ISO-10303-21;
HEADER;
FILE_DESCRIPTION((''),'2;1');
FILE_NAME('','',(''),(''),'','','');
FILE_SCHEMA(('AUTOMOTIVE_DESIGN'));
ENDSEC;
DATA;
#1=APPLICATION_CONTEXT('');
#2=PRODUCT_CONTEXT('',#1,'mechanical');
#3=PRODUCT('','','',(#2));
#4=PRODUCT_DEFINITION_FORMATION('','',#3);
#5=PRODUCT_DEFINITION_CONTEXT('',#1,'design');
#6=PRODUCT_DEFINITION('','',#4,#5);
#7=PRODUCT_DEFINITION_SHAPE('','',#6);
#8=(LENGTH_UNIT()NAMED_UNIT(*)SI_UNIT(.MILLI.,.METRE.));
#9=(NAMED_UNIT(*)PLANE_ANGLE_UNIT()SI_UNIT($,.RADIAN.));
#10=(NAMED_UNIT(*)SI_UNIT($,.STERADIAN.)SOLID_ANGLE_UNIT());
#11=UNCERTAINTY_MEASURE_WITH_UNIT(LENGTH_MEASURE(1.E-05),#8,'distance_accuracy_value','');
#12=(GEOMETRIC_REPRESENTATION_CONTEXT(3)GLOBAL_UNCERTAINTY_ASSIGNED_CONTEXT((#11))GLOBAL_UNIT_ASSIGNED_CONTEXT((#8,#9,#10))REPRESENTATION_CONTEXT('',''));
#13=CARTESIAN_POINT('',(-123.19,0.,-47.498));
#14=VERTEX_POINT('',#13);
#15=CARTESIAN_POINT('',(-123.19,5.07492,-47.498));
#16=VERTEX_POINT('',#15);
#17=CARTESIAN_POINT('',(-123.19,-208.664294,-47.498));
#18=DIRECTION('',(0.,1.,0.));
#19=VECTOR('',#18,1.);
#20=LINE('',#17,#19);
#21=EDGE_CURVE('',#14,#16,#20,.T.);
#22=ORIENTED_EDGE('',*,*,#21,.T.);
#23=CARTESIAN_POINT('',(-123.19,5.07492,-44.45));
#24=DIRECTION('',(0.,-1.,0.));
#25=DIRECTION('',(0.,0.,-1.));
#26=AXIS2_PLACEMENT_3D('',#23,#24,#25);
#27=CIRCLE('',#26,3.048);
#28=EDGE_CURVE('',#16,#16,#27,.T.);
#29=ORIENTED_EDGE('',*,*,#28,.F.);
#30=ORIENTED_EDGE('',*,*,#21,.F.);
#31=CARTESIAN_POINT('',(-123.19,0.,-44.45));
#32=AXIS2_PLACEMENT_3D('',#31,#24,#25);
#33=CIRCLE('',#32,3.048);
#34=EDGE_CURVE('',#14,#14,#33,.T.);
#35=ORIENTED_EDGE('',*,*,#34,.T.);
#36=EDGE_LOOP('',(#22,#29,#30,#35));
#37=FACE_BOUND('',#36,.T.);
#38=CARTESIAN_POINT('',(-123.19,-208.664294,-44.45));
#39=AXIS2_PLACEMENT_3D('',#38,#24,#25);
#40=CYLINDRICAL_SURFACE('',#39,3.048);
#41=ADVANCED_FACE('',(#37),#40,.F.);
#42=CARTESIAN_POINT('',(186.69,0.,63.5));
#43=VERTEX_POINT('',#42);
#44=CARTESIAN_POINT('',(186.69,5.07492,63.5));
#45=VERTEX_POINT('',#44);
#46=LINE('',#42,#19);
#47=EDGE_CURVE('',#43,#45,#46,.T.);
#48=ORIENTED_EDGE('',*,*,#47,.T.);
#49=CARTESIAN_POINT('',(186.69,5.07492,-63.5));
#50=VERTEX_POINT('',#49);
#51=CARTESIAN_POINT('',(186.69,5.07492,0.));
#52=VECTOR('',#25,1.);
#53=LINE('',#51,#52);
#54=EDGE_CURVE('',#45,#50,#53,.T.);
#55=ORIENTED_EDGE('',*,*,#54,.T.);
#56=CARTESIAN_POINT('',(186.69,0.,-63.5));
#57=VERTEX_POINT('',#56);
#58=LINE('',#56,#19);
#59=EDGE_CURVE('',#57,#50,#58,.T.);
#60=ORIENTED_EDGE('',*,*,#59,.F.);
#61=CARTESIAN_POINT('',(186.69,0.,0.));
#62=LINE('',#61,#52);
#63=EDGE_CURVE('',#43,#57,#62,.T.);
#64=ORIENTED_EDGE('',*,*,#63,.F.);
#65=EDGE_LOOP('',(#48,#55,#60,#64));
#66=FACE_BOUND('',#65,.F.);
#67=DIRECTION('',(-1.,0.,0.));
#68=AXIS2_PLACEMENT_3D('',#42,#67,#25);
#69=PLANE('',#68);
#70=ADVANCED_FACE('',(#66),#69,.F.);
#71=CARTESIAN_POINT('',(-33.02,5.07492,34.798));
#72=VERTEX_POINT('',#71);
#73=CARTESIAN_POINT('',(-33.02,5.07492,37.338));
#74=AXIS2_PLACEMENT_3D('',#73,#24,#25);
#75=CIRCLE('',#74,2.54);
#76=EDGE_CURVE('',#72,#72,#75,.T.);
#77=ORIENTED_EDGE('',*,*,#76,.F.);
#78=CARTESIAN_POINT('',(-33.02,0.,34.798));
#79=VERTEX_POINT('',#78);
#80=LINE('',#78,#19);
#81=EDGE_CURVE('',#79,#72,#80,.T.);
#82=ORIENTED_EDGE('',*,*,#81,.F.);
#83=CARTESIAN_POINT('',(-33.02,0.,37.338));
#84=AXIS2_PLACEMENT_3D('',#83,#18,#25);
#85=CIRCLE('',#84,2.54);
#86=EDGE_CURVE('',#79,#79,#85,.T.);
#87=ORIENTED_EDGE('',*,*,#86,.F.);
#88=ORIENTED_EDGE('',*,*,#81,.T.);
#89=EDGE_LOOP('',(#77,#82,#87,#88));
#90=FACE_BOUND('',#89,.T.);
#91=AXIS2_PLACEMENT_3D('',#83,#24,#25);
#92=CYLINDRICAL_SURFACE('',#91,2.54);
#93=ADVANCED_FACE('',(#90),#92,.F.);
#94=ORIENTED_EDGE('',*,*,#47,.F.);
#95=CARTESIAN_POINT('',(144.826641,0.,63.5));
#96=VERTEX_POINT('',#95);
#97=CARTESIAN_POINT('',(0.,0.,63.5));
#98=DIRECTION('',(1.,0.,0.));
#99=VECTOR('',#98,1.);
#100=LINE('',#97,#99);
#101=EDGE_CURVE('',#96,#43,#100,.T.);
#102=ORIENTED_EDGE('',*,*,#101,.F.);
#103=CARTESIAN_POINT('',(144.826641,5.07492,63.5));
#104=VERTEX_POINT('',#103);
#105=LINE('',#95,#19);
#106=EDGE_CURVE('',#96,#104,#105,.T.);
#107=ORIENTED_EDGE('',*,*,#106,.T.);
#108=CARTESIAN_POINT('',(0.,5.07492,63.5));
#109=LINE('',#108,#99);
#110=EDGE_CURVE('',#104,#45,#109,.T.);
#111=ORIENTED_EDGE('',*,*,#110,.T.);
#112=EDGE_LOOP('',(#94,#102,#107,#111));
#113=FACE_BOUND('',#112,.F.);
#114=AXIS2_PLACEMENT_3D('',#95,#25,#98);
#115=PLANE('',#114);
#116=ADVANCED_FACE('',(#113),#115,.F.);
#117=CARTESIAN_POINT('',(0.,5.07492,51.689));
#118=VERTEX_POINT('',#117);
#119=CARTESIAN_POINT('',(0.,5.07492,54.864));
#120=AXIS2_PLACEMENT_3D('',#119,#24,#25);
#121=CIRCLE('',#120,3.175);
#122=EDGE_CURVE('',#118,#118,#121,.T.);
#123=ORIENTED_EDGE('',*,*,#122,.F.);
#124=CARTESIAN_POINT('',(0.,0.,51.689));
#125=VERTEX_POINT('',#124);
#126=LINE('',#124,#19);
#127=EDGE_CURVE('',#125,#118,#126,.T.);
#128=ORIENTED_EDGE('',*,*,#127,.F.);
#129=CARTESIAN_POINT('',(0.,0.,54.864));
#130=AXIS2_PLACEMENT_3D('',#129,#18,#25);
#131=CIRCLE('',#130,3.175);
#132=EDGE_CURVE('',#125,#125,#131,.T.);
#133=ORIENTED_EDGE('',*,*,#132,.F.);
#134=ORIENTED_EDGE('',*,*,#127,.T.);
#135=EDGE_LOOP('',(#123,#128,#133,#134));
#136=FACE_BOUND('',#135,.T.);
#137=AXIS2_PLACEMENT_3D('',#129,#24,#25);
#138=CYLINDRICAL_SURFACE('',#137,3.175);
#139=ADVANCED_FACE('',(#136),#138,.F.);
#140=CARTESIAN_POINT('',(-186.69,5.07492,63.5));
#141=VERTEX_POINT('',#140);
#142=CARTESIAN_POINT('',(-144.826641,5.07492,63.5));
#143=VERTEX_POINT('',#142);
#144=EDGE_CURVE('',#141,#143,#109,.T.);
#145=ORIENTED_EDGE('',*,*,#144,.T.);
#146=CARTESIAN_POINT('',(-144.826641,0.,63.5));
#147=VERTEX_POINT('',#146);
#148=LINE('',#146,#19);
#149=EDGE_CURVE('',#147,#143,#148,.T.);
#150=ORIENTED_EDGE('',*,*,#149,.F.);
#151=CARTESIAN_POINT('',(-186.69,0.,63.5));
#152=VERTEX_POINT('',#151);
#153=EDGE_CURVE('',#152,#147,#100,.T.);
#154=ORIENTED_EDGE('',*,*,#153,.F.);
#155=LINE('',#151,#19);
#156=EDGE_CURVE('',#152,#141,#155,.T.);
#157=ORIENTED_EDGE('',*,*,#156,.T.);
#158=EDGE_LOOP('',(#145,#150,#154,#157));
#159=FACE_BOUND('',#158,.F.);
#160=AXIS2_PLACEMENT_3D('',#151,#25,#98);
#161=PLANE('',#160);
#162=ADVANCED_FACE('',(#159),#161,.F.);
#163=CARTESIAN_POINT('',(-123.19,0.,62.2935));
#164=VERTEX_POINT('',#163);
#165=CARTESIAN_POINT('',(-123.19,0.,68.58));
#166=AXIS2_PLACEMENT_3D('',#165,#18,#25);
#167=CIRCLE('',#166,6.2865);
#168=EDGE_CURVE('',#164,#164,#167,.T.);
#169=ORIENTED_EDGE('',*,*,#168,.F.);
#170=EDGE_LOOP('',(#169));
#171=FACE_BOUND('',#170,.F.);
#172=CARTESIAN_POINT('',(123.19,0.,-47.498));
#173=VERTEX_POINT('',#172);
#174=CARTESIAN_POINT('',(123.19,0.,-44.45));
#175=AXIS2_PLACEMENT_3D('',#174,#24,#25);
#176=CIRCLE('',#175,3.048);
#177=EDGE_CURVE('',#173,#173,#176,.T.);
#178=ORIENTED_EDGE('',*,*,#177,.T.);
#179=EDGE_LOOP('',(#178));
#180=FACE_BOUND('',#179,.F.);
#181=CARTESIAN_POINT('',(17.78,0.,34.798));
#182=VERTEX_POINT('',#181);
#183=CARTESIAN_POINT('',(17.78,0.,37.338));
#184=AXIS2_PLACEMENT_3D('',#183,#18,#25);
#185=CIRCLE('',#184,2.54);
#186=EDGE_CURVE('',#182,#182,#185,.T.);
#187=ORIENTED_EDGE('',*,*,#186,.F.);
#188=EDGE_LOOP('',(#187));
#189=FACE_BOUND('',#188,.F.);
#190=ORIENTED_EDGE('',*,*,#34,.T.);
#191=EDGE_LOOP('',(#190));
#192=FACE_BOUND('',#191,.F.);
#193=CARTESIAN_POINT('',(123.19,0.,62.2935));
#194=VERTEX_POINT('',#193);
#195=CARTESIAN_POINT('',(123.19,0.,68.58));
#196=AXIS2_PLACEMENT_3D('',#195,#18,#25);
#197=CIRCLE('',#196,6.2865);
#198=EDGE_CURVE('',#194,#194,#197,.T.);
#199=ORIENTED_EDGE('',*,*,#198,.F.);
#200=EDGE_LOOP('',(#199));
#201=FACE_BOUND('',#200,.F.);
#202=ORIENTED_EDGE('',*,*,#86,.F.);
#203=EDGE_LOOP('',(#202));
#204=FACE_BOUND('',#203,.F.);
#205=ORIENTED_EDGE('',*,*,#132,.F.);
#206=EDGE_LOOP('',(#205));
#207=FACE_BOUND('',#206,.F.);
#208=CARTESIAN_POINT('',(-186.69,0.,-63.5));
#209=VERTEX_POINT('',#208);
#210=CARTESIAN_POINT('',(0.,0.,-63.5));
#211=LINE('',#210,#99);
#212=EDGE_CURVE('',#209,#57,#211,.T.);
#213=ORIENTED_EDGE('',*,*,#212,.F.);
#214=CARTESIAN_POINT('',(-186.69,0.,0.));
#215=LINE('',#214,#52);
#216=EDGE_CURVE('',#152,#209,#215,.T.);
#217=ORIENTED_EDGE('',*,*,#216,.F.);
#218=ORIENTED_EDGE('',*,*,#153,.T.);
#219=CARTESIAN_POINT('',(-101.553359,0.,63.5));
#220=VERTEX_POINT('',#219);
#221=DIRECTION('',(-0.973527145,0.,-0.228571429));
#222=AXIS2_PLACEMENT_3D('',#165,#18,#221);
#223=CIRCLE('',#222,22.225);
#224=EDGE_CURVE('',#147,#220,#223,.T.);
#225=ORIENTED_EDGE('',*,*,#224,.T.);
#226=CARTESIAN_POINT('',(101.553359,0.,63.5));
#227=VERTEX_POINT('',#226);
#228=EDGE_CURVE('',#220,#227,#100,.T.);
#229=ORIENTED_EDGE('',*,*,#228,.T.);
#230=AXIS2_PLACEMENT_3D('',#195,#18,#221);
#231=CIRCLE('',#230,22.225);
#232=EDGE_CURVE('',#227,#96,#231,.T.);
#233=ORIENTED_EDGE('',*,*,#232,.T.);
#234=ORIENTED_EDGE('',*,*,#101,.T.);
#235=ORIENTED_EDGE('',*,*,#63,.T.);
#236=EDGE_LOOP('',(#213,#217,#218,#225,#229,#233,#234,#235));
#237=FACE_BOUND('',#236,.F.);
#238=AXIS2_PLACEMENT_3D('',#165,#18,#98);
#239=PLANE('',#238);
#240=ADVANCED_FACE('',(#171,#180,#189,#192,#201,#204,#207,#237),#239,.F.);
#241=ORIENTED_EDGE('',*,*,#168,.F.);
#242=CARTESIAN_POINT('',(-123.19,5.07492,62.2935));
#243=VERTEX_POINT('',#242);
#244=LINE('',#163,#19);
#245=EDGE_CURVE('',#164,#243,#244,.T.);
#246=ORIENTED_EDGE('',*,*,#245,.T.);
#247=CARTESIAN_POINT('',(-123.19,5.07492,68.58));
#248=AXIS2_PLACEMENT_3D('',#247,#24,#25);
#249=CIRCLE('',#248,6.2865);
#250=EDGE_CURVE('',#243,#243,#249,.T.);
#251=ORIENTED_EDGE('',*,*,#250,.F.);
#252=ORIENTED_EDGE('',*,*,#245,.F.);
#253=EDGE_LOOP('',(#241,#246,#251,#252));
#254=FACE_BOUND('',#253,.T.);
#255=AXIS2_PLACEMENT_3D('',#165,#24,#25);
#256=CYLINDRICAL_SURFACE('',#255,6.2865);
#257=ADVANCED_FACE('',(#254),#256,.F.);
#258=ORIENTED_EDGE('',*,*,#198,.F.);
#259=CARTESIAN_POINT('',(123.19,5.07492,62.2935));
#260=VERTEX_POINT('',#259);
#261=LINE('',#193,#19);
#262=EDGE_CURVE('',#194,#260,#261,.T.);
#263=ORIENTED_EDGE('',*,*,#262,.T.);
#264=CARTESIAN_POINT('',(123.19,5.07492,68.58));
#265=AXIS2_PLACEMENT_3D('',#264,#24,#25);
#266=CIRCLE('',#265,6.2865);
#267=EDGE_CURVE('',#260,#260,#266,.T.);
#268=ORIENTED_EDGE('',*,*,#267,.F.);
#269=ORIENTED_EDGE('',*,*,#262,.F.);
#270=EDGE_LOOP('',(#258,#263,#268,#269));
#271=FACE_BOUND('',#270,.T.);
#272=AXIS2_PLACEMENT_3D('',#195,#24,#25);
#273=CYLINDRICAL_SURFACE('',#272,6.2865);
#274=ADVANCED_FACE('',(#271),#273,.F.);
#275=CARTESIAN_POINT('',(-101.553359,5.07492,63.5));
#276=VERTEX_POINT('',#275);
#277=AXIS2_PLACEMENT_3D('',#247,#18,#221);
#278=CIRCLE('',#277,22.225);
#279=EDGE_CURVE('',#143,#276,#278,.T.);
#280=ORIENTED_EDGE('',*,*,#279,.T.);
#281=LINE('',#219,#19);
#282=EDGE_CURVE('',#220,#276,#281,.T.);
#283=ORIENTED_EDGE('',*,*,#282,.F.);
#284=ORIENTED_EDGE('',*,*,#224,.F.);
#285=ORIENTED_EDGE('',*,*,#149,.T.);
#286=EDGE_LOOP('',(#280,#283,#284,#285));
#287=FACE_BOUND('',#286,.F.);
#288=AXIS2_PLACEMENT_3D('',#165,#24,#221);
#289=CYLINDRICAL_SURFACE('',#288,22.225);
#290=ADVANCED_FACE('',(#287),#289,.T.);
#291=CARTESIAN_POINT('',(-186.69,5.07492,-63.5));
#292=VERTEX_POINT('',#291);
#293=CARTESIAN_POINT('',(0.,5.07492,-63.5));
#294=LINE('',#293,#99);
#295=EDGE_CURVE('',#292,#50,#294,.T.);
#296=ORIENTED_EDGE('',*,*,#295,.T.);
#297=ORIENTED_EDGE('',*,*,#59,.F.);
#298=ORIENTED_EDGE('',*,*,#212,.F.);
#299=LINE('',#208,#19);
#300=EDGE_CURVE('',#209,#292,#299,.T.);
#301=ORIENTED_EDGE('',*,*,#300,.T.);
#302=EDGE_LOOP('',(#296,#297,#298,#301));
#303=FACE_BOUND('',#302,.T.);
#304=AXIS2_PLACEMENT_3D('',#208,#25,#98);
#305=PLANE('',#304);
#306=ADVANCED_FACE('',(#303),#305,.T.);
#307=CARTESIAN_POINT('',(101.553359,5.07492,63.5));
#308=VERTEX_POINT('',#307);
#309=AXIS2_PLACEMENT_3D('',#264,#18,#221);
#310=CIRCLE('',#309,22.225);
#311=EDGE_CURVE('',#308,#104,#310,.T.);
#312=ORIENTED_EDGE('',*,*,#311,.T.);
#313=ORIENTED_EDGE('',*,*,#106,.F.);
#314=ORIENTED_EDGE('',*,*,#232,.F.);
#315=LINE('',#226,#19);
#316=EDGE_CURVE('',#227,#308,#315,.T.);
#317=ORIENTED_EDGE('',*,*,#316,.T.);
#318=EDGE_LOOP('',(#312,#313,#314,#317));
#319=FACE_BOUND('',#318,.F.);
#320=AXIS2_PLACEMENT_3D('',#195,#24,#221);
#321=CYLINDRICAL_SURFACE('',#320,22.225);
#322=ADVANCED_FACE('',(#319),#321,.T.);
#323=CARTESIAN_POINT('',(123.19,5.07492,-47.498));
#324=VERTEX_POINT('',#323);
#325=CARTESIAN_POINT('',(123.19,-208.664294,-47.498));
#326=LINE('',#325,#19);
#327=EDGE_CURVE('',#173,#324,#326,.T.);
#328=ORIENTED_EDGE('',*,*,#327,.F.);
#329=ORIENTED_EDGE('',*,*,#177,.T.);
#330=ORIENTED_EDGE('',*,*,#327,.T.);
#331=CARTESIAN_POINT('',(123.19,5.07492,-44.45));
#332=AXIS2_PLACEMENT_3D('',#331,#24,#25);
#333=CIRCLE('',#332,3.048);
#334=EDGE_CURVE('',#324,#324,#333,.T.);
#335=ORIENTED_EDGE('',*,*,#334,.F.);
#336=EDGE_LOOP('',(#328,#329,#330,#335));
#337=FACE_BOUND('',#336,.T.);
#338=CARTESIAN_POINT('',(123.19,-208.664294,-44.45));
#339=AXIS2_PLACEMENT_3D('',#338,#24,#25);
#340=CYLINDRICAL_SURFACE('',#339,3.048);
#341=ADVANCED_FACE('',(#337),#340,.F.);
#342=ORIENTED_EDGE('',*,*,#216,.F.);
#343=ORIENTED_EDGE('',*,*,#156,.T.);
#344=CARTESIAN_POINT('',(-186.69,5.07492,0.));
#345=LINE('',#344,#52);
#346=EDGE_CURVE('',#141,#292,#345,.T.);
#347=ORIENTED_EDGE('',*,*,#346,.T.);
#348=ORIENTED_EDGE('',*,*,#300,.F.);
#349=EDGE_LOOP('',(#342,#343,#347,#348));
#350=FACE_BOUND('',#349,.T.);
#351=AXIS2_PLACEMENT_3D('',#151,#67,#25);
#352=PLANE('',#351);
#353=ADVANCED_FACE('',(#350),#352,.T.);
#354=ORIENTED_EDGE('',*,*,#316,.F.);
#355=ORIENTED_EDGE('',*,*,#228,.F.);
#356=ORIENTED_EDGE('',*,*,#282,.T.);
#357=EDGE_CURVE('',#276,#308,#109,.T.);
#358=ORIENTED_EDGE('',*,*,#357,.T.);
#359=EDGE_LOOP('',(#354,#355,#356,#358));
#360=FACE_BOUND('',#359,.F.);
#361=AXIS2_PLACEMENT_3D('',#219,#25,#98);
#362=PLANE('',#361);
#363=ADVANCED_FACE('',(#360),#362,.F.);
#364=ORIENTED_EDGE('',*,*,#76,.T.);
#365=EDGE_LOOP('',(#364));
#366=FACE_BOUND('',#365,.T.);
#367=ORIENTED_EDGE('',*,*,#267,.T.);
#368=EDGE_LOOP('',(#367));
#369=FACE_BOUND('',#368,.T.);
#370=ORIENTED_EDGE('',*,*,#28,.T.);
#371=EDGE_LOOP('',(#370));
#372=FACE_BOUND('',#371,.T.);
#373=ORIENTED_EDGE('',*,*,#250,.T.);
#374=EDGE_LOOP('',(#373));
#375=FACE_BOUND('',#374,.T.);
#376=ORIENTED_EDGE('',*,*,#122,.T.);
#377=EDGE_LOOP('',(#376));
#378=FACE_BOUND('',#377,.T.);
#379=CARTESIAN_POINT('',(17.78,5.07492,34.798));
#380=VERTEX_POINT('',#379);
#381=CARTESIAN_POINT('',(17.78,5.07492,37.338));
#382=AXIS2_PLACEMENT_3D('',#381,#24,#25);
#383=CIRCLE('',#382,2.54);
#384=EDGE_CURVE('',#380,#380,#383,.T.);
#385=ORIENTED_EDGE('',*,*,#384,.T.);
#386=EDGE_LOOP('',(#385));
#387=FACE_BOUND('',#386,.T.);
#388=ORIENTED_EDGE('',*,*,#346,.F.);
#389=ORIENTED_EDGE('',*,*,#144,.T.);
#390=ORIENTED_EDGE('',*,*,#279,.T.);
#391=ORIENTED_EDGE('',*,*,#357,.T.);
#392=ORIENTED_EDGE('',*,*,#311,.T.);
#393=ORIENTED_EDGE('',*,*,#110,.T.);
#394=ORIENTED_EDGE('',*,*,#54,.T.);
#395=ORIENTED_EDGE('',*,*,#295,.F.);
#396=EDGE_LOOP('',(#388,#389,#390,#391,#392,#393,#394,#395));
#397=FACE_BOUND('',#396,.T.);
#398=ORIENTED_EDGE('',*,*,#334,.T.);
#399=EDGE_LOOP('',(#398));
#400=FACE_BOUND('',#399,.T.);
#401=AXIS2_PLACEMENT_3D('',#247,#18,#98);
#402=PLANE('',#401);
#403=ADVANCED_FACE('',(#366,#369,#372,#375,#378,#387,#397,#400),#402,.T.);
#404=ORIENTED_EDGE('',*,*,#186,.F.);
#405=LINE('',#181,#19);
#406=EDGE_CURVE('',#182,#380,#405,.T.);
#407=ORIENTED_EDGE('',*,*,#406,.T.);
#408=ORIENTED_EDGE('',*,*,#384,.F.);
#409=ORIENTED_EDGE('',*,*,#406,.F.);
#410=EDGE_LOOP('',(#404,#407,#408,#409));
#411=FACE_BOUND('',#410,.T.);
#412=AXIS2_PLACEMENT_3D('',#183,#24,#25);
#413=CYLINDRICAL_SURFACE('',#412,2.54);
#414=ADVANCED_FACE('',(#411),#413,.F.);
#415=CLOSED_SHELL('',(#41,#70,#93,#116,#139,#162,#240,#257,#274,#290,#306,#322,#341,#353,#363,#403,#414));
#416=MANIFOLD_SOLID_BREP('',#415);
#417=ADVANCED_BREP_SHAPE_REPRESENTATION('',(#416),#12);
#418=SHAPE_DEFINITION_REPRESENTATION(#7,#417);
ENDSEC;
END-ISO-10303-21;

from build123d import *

# Parameters (mm, degrees)
SKETCH1_R               = 22.225
SKETCH1_W               = 373.38
SKETCH1_H               = 127
BOSS_EXTRUDE1_DEPTH     = 5.07492
SKETCH1_5_R             = 6.2865
CUT_EXTRUDE1_DEPTH      = 208.664293845
CUT_EXTRUDE2_DEPTH      = 208.664293845
CUT_EXTRUDE2_DEPTH_BACK = 208.664293845
SKETCH1_7_R             = 3.048
SKETCH1_8_R             = 2.54
SKETCH1_8_R_2           = 3.175
CUT_EXTRUDE3_DEPTH      = 208.664293845


with BuildPart() as part:
    # Sketch1 → Boss-Extrude1 (new body)
    with BuildSketch(Plane(origin=(0, 0, 0), x_dir=(1, 0, 0), z_dir=(0, 1, 0))):
        with Locations((-123.19, -68.58)):
            Circle(SKETCH1_R)
        with Locations((123.19, -68.58)):
            Circle(SKETCH1_R)
        Rectangle(SKETCH1_W, SKETCH1_H)
    extrude(amount=BOSS_EXTRUDE1_DEPTH)

    # Sketch1<5> → Cut-Extrude1 (cut, through all)
    with BuildSketch(Plane(origin=(0, 0, 0), x_dir=(1, 0, 0), z_dir=(0, 1, 0))):
        with Locations(Location((-123.19, -68.58, 0), (0, 0, 90))):
            Circle(SKETCH1_5_R)
        with Locations(Location((123.19, -68.58, 0), (0, 0, 90))):
            Circle(SKETCH1_5_R)
    extrude(amount=CUT_EXTRUDE1_DEPTH, mode=Mode.SUBTRACT)

    # Sketch1<7> → Cut-Extrude2 (cut, two sides: drawn at the far end of the back side and taken through both)
    with BuildSketch(Plane(origin=(0, 0, 0), x_dir=(1, 0, 0), z_dir=(0, 1, 0)).offset(-CUT_EXTRUDE2_DEPTH_BACK)):
        with Locations(Location((-123.19, 44.45, 0), (0, 0, 90))):
            Circle(SKETCH1_7_R)
        with Locations(Location((123.19, 44.45, 0), (0, 0, 90))):
            Circle(SKETCH1_7_R)
    extrude(amount=CUT_EXTRUDE2_DEPTH + CUT_EXTRUDE2_DEPTH_BACK, mode=Mode.SUBTRACT)

    # Sketch1<8> → Cut-Extrude3 (cut, through all)
    with BuildSketch(Plane(origin=(0, 0, 0), x_dir=(1, 0, 0), z_dir=(0, 1, 0))):
        with Locations(Location((-33.02, -37.338, 0), (0, 0, 90))):
            Circle(SKETCH1_8_R)
        with Locations(Location((17.78, -37.338, 0), (0, 0, 90))):
            Circle(SKETCH1_8_R)
        with Locations(Location((0, -54.864, 0), (0, 0, 90))):
            Circle(SKETCH1_8_R_2)
    extrude(amount=CUT_EXTRUDE3_DEPTH, mode=Mode.SUBTRACT)


solid = part.part
